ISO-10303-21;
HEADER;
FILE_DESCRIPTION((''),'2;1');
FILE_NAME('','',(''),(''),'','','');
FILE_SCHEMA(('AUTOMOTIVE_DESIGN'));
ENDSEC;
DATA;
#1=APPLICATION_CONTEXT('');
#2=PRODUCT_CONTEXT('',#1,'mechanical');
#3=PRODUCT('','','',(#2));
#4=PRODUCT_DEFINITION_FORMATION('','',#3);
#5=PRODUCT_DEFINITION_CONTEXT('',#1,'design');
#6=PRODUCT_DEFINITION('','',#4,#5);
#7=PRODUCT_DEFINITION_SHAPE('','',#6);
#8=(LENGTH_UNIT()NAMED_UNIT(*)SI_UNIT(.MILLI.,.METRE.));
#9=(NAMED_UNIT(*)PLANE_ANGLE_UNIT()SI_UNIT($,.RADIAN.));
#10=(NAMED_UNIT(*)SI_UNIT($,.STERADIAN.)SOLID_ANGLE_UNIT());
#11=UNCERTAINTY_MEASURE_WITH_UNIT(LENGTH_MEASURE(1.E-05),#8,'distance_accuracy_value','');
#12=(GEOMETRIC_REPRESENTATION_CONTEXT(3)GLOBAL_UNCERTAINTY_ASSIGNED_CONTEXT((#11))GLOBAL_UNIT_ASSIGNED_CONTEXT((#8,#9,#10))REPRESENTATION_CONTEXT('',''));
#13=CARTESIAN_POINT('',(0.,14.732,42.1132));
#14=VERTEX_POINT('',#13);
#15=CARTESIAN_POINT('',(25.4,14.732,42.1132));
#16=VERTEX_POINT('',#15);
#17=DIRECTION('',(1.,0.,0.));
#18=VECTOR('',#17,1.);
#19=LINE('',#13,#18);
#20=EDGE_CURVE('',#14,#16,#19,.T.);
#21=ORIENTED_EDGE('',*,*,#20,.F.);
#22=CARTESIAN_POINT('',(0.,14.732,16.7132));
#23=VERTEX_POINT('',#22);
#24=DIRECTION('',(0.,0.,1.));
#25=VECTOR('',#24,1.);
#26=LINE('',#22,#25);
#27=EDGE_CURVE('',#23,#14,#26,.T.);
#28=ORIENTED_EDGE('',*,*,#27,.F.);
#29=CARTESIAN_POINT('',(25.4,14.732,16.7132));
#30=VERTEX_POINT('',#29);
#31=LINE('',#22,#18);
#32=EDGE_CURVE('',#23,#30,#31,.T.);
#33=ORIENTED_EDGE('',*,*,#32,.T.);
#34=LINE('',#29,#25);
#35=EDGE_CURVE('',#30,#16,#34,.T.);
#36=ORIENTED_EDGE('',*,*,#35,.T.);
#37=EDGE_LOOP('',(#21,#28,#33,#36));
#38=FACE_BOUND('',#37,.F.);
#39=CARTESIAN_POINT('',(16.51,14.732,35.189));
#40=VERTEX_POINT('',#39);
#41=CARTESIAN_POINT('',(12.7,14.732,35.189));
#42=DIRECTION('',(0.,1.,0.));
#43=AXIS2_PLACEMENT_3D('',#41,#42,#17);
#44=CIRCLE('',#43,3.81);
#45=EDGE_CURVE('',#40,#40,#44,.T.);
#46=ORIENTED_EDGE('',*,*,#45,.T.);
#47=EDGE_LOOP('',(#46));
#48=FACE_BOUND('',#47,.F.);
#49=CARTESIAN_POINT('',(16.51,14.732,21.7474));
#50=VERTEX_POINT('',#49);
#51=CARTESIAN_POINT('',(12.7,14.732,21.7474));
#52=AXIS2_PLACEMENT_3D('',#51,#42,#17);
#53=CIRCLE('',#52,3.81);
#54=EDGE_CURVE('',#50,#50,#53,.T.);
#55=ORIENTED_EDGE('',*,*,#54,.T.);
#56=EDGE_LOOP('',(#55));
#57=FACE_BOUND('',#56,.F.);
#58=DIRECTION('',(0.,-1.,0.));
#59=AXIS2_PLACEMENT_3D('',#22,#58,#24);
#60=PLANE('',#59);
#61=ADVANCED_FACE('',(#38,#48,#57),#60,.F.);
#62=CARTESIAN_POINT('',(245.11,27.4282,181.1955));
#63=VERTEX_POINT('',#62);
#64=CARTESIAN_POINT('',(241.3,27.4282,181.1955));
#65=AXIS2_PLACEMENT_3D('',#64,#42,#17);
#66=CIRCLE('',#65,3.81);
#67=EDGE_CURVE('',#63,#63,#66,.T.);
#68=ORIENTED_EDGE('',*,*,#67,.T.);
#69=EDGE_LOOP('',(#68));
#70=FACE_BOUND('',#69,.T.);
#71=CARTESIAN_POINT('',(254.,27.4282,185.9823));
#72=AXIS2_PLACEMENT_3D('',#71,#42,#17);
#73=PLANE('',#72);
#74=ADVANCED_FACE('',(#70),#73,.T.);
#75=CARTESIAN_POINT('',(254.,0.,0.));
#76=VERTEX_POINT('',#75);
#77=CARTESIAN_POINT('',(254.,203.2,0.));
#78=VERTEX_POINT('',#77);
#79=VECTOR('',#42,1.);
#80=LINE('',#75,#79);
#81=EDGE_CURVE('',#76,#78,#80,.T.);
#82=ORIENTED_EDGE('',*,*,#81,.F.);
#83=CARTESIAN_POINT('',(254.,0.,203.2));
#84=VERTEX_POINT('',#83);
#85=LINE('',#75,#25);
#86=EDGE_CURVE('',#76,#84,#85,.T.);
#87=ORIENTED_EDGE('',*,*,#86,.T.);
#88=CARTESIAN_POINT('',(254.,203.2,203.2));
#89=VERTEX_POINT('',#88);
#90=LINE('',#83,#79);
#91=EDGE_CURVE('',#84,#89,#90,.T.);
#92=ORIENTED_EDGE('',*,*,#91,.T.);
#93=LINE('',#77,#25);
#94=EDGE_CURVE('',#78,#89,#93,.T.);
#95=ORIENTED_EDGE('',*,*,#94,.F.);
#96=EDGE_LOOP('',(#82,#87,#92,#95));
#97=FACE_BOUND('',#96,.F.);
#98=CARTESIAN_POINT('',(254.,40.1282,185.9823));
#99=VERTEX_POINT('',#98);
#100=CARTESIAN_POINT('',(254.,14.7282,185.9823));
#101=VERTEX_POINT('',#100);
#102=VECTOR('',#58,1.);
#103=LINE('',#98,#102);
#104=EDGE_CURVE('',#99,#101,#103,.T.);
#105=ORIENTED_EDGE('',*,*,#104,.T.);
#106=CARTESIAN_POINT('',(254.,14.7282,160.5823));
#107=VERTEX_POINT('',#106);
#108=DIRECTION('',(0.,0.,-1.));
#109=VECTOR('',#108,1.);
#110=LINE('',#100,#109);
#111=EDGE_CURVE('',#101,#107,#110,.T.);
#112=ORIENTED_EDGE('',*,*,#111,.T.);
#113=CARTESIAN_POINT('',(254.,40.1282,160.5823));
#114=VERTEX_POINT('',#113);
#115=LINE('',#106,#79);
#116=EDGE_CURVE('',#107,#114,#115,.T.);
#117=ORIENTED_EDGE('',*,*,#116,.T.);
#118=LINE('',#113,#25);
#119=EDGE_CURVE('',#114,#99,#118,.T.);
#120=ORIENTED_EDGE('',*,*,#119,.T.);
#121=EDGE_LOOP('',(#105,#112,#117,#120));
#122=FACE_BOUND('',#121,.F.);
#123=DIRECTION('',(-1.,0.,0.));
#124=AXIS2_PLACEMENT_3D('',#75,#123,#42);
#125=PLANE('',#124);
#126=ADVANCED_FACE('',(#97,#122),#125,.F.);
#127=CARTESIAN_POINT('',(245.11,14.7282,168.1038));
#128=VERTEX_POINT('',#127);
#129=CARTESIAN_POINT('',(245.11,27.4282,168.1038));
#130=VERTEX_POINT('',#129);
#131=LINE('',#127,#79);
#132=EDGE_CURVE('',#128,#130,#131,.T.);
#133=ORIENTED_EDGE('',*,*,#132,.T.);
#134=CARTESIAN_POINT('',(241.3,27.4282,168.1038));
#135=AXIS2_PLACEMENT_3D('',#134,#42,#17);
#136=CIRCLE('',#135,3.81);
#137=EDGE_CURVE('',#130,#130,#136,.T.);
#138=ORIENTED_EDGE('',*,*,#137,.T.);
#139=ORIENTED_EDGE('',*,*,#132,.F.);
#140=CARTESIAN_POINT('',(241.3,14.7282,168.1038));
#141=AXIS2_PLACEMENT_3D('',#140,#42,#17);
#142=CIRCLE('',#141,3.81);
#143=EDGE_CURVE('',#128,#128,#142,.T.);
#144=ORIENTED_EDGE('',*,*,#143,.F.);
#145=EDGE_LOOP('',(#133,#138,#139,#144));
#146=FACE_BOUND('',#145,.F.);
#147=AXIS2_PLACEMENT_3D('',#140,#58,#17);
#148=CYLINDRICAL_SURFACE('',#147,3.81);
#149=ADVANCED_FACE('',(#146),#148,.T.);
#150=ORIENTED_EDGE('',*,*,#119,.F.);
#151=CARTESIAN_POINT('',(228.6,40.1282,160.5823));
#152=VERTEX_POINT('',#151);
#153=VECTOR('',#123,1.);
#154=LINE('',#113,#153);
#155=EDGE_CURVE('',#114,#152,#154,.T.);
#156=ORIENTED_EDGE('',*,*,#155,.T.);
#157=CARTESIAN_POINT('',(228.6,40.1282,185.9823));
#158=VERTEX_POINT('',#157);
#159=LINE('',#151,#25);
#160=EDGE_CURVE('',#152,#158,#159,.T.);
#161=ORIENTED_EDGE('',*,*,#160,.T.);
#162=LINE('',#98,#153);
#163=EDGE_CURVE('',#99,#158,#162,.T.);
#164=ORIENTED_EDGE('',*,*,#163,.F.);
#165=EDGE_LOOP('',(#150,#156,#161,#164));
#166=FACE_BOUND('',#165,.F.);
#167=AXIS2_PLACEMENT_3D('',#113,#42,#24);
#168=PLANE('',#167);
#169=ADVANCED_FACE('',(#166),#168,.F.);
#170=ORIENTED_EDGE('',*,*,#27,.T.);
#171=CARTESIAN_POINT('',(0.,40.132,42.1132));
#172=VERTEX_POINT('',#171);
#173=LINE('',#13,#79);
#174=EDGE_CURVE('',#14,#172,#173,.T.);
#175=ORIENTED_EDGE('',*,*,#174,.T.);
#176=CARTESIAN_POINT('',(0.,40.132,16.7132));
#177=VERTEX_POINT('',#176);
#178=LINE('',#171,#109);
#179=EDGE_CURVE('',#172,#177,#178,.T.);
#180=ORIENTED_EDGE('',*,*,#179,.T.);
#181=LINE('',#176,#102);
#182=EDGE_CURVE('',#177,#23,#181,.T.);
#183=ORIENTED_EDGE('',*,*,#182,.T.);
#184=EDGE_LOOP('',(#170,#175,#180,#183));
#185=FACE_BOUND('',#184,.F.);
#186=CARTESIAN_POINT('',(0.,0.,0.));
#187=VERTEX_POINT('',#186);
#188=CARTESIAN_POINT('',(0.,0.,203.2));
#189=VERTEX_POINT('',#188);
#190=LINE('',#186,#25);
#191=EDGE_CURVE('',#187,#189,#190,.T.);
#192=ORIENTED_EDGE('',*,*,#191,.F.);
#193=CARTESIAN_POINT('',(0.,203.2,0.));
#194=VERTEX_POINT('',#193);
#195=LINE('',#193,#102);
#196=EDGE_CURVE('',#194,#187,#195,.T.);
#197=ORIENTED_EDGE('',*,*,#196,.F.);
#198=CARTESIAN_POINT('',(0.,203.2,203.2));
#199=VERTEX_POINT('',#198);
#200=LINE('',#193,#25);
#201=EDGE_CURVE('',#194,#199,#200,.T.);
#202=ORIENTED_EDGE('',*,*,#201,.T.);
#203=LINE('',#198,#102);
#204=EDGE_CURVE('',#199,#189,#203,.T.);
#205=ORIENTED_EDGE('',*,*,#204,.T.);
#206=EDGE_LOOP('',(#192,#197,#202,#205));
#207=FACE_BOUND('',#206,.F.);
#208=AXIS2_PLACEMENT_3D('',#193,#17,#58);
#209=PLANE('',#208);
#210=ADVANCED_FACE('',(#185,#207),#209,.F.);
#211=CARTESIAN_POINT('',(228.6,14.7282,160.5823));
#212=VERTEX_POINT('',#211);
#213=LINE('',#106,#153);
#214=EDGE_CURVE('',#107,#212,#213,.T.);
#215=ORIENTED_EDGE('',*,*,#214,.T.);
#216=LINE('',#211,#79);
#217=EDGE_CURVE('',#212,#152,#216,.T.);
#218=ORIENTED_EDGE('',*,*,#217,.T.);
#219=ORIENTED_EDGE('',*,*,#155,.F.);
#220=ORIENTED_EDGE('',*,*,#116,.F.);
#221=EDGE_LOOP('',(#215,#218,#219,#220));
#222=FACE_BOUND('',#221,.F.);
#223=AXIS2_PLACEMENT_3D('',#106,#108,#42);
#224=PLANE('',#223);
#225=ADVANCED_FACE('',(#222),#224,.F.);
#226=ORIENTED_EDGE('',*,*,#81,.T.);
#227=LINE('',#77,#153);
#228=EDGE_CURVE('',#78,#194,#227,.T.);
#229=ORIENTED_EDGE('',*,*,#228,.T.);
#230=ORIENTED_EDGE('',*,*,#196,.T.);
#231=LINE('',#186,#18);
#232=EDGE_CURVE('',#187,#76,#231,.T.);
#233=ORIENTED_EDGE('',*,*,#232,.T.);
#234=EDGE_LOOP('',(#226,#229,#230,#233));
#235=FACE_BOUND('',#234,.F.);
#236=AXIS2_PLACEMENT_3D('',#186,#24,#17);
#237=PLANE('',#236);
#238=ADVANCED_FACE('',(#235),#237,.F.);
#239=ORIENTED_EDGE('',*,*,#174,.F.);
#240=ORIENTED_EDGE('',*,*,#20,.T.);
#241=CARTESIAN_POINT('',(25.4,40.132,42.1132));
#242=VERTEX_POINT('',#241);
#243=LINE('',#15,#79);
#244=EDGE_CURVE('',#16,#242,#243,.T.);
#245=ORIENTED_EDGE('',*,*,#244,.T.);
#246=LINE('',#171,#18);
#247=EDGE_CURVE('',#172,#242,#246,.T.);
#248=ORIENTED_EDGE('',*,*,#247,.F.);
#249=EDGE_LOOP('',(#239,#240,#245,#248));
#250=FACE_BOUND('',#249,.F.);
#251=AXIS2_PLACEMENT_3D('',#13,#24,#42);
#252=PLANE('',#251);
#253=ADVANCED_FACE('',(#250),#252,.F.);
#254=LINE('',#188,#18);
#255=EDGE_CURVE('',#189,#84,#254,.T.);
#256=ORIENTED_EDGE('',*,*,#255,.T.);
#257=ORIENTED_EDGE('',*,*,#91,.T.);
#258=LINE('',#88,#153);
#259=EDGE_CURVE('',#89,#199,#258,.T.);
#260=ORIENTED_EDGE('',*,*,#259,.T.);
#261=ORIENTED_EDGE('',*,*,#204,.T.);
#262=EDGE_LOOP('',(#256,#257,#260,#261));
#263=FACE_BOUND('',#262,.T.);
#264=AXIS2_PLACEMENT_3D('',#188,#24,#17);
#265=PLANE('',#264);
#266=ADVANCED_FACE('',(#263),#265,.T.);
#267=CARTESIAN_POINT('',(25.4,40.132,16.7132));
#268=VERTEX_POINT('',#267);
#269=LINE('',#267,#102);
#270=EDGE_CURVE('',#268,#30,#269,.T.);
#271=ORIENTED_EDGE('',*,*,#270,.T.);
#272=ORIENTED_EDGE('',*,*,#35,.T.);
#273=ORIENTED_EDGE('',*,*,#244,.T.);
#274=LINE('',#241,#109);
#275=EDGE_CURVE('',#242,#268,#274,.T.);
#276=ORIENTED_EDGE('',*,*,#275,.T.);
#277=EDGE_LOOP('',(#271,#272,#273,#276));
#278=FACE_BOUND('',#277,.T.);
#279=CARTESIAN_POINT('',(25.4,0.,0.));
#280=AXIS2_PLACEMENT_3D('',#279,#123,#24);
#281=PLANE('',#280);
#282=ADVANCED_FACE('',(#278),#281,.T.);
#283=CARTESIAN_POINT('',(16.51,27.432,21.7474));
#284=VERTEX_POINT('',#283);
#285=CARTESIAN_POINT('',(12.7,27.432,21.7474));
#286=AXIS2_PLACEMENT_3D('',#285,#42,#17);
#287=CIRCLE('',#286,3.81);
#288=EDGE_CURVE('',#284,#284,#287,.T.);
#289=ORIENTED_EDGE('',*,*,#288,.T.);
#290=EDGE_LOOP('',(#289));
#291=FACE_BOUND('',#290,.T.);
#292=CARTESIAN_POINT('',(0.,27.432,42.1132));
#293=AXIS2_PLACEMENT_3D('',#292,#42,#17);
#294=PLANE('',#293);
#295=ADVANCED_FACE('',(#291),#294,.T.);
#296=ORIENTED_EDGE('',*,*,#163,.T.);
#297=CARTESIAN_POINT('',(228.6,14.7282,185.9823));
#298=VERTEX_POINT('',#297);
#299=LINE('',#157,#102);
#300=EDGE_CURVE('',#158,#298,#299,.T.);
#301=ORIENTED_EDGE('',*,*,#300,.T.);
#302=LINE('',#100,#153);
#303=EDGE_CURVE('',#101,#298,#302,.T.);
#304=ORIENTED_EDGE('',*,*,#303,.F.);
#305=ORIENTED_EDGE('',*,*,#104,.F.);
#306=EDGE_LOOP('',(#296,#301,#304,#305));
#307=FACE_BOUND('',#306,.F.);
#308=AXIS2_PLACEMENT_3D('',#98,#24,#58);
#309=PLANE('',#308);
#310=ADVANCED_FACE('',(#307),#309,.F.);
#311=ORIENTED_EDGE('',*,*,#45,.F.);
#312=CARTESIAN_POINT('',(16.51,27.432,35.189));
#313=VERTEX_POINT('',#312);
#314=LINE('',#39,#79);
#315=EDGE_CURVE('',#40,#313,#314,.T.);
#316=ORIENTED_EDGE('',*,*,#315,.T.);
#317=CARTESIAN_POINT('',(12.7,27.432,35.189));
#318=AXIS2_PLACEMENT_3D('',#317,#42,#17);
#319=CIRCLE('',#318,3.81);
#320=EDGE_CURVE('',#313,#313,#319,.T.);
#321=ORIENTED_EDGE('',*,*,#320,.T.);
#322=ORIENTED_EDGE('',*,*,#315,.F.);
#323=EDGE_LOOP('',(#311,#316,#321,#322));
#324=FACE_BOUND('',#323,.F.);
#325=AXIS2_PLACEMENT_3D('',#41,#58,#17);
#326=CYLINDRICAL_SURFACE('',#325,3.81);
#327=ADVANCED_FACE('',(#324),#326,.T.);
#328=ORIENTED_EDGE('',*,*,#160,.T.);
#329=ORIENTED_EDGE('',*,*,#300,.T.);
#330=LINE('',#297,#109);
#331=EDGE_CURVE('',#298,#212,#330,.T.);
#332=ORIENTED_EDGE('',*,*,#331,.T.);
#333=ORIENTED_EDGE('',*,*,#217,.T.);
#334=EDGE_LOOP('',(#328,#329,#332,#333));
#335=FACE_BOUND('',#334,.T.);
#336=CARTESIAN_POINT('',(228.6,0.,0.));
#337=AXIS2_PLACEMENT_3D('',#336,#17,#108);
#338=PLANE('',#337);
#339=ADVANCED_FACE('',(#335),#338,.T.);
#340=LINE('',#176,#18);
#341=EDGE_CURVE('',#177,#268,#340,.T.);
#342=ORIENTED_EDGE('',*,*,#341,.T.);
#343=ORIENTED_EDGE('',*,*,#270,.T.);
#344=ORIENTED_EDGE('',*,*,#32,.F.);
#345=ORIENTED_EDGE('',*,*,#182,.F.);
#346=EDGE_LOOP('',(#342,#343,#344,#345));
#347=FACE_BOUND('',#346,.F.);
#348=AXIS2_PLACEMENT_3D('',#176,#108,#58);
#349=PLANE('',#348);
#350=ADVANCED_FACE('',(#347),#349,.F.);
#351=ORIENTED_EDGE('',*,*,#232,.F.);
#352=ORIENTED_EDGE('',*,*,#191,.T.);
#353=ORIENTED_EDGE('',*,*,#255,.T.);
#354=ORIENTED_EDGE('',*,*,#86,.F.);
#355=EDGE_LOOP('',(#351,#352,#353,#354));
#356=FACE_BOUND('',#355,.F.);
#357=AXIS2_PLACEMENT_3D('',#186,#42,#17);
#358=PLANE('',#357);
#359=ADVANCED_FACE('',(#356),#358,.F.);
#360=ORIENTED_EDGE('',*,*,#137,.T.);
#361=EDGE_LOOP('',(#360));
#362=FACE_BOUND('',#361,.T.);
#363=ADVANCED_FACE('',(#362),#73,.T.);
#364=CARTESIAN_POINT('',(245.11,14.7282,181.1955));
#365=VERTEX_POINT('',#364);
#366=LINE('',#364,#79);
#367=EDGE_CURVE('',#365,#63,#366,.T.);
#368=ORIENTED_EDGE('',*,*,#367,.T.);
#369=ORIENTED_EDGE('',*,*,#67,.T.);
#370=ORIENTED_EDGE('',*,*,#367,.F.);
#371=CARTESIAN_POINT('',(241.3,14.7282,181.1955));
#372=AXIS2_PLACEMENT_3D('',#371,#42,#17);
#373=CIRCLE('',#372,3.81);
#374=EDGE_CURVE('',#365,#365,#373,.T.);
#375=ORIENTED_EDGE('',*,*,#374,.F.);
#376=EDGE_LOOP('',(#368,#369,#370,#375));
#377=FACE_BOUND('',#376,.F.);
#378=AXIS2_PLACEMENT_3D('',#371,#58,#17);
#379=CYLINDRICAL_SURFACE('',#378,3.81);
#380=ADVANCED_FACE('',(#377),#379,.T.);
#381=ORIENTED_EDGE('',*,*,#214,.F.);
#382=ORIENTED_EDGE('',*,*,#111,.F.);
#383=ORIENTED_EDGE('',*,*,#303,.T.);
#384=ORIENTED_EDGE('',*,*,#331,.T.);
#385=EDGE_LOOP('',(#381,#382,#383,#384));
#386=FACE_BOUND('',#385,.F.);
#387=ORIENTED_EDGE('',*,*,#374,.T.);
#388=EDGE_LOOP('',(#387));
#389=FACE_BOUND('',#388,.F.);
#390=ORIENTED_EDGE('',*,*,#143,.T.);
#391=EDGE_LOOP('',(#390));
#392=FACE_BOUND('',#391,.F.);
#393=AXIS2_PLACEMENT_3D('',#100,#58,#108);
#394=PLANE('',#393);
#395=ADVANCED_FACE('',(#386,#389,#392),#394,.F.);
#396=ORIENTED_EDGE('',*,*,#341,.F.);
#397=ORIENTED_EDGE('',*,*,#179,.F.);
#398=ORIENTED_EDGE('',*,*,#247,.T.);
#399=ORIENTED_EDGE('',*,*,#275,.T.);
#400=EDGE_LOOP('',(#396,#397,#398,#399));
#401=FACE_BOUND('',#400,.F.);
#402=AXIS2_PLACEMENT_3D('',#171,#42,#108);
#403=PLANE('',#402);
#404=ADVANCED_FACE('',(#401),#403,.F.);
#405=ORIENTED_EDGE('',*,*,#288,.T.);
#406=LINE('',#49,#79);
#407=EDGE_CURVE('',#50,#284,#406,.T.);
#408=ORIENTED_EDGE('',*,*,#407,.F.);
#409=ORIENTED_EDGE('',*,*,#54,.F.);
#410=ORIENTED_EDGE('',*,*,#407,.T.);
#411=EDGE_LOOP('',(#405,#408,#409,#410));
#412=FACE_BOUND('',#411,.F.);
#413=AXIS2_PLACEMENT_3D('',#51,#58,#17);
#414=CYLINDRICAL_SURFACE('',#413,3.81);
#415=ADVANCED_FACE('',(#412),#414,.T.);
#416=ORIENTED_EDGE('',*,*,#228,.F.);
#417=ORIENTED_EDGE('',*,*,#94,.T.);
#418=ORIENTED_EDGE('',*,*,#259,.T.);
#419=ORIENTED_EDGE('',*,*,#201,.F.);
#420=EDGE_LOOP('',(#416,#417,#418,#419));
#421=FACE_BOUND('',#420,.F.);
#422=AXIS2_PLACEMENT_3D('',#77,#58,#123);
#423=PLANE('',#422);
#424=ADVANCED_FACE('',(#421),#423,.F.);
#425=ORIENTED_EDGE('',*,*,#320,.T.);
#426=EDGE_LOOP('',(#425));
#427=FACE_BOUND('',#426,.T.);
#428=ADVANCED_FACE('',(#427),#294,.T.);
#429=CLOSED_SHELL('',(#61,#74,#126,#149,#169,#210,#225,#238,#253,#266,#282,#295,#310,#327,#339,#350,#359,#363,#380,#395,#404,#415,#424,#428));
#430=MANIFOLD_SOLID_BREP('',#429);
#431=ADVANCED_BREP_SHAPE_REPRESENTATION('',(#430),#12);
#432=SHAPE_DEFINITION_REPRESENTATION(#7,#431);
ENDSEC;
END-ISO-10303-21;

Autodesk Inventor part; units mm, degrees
ref_plane "YZ Plane" through (0, 0, 0) normal (1, 0, 0) x (0, 1, 0)
ref_plane "XZ Plane" through (0, 0, 0) normal (0, 1, 0) x (-1, 0, 0)
ref_plane "XY Plane" through (0, 0, 0) normal (0, 0, 1) x (1, 0, 0)
sketch "Sketch1" plane through (0, 0, 0) normal (0, 0, 1) x (1, 0, 0)
  line L0 (0, 0) -> (254, 0)
  line L1 (254, 0) -> (254, 203.2)
  line L2 (254, 203.2) -> (0, 203.2)
  line L3 (0, 203.2) -> (0, 0)
  dimension "d0" = 254
  dimension "d1" = 203.2
extrude "Extrusion1" add sketch "Sketch1" along normal blind 203.2
sketch "Sketch3" plane through (254, 0, 0) normal (1, 0, 0) x (0, 0, -1)
  line L0 (-203.2, 203.2) -> (-203.2, 0) projected
  line L1 (0, 0) -> (-203.2, 0) projected
  line L2 (-185.9823, 14.7282) -> (-160.5823, 14.7282)
  line L3 (-160.5823, 14.7282) -> (-160.5823, 40.1282)
  line L4 (-160.5823, 40.1282) -> (-185.9823, 40.1282)
  line L5 (-185.9823, 40.1282) -> (-185.9823, 14.7282)
  dimension "d10" = 25.4
  dimension "d11" = 25.4
  dimension "d12" = 17.2177
  dimension "d13" = 14.7282
extrude "Extrusion3" cut sketch "Sketch3" against normal blind 25.4
sketch "Sketch4" plane through (254, 14.7282, 185.9823) normal (0, 1, 0) x (1, 0, 0)
  circle A0 centre (-12.7, 4.7868) radius 3.81
  circle A1 centre (-12.7, 17.8785) radius 3.81
  point P0 (-254, 185.9823)
  dimension "d16" = 7.62
  dimension "d17" = 7.62
extrude "Extrusion4" add sketch "Sketch4" along normal blind 12.7
sketch "Sketch5" plane through (0, 0, 0) normal (-1, 0, 0) x (0, 0, 1)
  line L0 (0, 203.2) -> (0, 0) projected
  line L1 (0, 0) -> (203.2, 0) projected
  line L2 (16.7132, 14.732) -> (42.1132, 14.732)
  line L3 (42.1132, 14.732) -> (42.1132, 40.132)
  line L4 (42.1132, 40.132) -> (16.7132, 40.132)
  line L5 (16.7132, 40.132) -> (16.7132, 14.732)
  dimension "d20" = 25.4
  dimension "d21" = 25.4
  dimension "d22" = 16.7132
  dimension "d23" = 14.732
extrude "Extrusion5" cut sketch "Sketch5" against normal blind 25.4
sketch "Sketch6" plane through (0, 14.732, 42.1132) normal (0, 1, 0) x (1, 0, 0)
  circle A0 centre (12.7, 20.3658) radius 3.81
  circle A1 centre (12.7, 6.9242) radius 3.81
  point P0 (0, 42.1132)
  dimension "d26" = 7.62
  dimension "d27" = 7.62
extrude "Extrusion6" add sketch "Sketch6" along normal blind 12.7
properties part number "AC-DC converter"
